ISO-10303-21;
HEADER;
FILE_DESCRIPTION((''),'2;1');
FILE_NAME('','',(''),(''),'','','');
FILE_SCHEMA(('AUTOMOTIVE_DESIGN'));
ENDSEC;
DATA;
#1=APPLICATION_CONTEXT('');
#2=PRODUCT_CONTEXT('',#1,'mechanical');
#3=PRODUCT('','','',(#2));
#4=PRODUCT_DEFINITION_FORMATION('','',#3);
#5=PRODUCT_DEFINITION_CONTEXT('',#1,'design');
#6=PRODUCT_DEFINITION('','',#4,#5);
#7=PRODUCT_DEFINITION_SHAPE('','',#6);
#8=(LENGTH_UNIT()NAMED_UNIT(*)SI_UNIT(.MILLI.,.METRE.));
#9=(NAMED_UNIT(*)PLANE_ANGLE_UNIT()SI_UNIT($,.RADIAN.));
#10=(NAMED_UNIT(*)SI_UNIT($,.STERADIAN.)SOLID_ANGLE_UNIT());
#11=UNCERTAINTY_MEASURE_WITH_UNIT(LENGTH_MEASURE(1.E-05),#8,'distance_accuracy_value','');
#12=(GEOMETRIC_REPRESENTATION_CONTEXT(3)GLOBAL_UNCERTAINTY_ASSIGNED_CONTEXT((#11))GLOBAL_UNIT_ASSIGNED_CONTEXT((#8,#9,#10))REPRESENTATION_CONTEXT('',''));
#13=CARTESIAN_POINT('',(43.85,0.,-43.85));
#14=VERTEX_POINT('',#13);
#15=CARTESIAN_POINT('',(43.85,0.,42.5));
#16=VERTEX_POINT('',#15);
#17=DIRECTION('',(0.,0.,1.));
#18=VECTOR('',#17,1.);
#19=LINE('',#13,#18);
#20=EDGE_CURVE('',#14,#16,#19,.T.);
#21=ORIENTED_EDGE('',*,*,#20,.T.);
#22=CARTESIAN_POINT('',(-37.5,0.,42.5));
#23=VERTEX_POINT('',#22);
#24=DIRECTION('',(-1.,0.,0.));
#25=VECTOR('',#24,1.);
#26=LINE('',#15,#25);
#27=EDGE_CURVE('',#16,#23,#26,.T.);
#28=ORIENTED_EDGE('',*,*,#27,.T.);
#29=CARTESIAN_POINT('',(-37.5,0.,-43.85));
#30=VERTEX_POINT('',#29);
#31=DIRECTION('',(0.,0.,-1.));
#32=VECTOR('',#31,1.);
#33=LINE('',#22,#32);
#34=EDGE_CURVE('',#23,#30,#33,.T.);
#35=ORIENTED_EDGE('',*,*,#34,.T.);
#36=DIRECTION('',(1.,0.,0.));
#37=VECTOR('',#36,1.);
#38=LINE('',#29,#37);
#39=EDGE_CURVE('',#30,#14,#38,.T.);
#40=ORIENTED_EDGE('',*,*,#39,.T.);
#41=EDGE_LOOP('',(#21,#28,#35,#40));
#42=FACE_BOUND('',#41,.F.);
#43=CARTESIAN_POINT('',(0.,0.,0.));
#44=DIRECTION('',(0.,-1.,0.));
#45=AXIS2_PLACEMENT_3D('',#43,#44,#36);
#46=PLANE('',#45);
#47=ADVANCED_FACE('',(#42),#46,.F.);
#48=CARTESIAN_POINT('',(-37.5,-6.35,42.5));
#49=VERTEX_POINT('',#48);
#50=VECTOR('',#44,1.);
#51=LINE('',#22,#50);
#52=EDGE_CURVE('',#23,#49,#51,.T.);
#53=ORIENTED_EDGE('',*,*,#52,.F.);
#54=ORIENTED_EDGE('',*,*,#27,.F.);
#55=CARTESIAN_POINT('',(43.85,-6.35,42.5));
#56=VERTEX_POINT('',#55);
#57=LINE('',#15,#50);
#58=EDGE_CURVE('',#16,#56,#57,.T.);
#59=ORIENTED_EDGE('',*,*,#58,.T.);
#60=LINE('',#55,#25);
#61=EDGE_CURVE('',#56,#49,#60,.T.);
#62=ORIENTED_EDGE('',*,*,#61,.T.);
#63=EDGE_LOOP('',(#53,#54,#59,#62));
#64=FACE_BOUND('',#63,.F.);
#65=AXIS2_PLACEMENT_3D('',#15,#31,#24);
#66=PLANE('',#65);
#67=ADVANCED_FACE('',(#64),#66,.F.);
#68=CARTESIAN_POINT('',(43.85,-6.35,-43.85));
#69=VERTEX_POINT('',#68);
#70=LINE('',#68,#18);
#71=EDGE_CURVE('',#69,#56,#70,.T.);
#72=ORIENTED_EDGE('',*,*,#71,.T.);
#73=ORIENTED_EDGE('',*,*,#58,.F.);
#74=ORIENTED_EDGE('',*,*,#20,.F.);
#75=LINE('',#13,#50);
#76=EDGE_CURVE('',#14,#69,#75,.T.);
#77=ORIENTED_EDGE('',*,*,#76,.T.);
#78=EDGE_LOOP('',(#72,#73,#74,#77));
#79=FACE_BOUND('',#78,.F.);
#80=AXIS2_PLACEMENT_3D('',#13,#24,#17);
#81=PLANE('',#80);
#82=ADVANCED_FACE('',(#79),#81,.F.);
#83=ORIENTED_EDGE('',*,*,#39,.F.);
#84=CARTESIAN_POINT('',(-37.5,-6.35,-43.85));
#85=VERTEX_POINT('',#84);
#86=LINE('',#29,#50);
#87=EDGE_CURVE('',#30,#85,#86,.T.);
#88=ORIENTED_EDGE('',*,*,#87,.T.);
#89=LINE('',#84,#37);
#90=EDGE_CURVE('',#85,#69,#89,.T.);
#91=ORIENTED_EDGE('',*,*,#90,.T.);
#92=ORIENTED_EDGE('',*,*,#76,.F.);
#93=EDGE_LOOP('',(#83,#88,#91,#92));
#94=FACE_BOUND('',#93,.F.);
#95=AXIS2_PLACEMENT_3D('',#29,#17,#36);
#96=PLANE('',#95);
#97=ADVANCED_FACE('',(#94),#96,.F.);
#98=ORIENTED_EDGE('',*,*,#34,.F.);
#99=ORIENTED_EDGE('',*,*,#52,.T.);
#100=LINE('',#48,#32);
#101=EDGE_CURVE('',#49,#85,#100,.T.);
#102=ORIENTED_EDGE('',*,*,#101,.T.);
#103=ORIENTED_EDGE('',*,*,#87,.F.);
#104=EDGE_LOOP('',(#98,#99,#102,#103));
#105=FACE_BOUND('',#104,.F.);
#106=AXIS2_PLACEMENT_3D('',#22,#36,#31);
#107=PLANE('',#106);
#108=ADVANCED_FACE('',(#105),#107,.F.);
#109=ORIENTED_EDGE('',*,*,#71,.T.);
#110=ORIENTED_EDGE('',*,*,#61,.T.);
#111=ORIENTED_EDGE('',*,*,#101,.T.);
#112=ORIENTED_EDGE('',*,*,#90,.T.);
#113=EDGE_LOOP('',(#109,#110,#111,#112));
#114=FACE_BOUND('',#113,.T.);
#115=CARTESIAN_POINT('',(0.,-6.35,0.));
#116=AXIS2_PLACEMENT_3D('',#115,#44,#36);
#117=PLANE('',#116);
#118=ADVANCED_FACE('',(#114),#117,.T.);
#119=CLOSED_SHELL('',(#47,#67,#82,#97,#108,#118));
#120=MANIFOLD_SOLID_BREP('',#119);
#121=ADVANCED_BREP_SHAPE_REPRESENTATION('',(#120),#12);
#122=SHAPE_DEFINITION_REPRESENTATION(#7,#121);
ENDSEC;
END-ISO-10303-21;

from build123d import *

# Parameters (mm, degrees)
F0_W     = 75
F0_H     = 75
F0_R     = 5.5245
F0_W_2   = 6.35
F0_H_2   = 6.35
F1_DEPTH = 6.35


with BuildPart() as f1:
    # F0 (on Front) → F1 (new body)
    with BuildSketch(Plane.XZ):
        Rectangle(F0_W, F0_H)
        with Locations((0, -27.34)):
            Circle(F0_R, mode=Mode.SUBTRACT)
        with Locations((40.675, 0)):
            Rectangle(F0_W_2, F0_H)
        with Locations((40.675, -40.675)):
            Rectangle(F0_W_2, F0_H_2)
        with Locations((0, -40.675)):
            Rectangle(F0_W, F0_H_2)
        Polygon((-37.5, 37.5), (37.5, 37.5), (43.85, 37.5), (43.85, 42.5), (-37.5, 42.5), align=None)
        with Locations((0, -27.34)):
            Circle(F0_R)
    extrude(amount=F1_DEPTH)


solid = f1.part
